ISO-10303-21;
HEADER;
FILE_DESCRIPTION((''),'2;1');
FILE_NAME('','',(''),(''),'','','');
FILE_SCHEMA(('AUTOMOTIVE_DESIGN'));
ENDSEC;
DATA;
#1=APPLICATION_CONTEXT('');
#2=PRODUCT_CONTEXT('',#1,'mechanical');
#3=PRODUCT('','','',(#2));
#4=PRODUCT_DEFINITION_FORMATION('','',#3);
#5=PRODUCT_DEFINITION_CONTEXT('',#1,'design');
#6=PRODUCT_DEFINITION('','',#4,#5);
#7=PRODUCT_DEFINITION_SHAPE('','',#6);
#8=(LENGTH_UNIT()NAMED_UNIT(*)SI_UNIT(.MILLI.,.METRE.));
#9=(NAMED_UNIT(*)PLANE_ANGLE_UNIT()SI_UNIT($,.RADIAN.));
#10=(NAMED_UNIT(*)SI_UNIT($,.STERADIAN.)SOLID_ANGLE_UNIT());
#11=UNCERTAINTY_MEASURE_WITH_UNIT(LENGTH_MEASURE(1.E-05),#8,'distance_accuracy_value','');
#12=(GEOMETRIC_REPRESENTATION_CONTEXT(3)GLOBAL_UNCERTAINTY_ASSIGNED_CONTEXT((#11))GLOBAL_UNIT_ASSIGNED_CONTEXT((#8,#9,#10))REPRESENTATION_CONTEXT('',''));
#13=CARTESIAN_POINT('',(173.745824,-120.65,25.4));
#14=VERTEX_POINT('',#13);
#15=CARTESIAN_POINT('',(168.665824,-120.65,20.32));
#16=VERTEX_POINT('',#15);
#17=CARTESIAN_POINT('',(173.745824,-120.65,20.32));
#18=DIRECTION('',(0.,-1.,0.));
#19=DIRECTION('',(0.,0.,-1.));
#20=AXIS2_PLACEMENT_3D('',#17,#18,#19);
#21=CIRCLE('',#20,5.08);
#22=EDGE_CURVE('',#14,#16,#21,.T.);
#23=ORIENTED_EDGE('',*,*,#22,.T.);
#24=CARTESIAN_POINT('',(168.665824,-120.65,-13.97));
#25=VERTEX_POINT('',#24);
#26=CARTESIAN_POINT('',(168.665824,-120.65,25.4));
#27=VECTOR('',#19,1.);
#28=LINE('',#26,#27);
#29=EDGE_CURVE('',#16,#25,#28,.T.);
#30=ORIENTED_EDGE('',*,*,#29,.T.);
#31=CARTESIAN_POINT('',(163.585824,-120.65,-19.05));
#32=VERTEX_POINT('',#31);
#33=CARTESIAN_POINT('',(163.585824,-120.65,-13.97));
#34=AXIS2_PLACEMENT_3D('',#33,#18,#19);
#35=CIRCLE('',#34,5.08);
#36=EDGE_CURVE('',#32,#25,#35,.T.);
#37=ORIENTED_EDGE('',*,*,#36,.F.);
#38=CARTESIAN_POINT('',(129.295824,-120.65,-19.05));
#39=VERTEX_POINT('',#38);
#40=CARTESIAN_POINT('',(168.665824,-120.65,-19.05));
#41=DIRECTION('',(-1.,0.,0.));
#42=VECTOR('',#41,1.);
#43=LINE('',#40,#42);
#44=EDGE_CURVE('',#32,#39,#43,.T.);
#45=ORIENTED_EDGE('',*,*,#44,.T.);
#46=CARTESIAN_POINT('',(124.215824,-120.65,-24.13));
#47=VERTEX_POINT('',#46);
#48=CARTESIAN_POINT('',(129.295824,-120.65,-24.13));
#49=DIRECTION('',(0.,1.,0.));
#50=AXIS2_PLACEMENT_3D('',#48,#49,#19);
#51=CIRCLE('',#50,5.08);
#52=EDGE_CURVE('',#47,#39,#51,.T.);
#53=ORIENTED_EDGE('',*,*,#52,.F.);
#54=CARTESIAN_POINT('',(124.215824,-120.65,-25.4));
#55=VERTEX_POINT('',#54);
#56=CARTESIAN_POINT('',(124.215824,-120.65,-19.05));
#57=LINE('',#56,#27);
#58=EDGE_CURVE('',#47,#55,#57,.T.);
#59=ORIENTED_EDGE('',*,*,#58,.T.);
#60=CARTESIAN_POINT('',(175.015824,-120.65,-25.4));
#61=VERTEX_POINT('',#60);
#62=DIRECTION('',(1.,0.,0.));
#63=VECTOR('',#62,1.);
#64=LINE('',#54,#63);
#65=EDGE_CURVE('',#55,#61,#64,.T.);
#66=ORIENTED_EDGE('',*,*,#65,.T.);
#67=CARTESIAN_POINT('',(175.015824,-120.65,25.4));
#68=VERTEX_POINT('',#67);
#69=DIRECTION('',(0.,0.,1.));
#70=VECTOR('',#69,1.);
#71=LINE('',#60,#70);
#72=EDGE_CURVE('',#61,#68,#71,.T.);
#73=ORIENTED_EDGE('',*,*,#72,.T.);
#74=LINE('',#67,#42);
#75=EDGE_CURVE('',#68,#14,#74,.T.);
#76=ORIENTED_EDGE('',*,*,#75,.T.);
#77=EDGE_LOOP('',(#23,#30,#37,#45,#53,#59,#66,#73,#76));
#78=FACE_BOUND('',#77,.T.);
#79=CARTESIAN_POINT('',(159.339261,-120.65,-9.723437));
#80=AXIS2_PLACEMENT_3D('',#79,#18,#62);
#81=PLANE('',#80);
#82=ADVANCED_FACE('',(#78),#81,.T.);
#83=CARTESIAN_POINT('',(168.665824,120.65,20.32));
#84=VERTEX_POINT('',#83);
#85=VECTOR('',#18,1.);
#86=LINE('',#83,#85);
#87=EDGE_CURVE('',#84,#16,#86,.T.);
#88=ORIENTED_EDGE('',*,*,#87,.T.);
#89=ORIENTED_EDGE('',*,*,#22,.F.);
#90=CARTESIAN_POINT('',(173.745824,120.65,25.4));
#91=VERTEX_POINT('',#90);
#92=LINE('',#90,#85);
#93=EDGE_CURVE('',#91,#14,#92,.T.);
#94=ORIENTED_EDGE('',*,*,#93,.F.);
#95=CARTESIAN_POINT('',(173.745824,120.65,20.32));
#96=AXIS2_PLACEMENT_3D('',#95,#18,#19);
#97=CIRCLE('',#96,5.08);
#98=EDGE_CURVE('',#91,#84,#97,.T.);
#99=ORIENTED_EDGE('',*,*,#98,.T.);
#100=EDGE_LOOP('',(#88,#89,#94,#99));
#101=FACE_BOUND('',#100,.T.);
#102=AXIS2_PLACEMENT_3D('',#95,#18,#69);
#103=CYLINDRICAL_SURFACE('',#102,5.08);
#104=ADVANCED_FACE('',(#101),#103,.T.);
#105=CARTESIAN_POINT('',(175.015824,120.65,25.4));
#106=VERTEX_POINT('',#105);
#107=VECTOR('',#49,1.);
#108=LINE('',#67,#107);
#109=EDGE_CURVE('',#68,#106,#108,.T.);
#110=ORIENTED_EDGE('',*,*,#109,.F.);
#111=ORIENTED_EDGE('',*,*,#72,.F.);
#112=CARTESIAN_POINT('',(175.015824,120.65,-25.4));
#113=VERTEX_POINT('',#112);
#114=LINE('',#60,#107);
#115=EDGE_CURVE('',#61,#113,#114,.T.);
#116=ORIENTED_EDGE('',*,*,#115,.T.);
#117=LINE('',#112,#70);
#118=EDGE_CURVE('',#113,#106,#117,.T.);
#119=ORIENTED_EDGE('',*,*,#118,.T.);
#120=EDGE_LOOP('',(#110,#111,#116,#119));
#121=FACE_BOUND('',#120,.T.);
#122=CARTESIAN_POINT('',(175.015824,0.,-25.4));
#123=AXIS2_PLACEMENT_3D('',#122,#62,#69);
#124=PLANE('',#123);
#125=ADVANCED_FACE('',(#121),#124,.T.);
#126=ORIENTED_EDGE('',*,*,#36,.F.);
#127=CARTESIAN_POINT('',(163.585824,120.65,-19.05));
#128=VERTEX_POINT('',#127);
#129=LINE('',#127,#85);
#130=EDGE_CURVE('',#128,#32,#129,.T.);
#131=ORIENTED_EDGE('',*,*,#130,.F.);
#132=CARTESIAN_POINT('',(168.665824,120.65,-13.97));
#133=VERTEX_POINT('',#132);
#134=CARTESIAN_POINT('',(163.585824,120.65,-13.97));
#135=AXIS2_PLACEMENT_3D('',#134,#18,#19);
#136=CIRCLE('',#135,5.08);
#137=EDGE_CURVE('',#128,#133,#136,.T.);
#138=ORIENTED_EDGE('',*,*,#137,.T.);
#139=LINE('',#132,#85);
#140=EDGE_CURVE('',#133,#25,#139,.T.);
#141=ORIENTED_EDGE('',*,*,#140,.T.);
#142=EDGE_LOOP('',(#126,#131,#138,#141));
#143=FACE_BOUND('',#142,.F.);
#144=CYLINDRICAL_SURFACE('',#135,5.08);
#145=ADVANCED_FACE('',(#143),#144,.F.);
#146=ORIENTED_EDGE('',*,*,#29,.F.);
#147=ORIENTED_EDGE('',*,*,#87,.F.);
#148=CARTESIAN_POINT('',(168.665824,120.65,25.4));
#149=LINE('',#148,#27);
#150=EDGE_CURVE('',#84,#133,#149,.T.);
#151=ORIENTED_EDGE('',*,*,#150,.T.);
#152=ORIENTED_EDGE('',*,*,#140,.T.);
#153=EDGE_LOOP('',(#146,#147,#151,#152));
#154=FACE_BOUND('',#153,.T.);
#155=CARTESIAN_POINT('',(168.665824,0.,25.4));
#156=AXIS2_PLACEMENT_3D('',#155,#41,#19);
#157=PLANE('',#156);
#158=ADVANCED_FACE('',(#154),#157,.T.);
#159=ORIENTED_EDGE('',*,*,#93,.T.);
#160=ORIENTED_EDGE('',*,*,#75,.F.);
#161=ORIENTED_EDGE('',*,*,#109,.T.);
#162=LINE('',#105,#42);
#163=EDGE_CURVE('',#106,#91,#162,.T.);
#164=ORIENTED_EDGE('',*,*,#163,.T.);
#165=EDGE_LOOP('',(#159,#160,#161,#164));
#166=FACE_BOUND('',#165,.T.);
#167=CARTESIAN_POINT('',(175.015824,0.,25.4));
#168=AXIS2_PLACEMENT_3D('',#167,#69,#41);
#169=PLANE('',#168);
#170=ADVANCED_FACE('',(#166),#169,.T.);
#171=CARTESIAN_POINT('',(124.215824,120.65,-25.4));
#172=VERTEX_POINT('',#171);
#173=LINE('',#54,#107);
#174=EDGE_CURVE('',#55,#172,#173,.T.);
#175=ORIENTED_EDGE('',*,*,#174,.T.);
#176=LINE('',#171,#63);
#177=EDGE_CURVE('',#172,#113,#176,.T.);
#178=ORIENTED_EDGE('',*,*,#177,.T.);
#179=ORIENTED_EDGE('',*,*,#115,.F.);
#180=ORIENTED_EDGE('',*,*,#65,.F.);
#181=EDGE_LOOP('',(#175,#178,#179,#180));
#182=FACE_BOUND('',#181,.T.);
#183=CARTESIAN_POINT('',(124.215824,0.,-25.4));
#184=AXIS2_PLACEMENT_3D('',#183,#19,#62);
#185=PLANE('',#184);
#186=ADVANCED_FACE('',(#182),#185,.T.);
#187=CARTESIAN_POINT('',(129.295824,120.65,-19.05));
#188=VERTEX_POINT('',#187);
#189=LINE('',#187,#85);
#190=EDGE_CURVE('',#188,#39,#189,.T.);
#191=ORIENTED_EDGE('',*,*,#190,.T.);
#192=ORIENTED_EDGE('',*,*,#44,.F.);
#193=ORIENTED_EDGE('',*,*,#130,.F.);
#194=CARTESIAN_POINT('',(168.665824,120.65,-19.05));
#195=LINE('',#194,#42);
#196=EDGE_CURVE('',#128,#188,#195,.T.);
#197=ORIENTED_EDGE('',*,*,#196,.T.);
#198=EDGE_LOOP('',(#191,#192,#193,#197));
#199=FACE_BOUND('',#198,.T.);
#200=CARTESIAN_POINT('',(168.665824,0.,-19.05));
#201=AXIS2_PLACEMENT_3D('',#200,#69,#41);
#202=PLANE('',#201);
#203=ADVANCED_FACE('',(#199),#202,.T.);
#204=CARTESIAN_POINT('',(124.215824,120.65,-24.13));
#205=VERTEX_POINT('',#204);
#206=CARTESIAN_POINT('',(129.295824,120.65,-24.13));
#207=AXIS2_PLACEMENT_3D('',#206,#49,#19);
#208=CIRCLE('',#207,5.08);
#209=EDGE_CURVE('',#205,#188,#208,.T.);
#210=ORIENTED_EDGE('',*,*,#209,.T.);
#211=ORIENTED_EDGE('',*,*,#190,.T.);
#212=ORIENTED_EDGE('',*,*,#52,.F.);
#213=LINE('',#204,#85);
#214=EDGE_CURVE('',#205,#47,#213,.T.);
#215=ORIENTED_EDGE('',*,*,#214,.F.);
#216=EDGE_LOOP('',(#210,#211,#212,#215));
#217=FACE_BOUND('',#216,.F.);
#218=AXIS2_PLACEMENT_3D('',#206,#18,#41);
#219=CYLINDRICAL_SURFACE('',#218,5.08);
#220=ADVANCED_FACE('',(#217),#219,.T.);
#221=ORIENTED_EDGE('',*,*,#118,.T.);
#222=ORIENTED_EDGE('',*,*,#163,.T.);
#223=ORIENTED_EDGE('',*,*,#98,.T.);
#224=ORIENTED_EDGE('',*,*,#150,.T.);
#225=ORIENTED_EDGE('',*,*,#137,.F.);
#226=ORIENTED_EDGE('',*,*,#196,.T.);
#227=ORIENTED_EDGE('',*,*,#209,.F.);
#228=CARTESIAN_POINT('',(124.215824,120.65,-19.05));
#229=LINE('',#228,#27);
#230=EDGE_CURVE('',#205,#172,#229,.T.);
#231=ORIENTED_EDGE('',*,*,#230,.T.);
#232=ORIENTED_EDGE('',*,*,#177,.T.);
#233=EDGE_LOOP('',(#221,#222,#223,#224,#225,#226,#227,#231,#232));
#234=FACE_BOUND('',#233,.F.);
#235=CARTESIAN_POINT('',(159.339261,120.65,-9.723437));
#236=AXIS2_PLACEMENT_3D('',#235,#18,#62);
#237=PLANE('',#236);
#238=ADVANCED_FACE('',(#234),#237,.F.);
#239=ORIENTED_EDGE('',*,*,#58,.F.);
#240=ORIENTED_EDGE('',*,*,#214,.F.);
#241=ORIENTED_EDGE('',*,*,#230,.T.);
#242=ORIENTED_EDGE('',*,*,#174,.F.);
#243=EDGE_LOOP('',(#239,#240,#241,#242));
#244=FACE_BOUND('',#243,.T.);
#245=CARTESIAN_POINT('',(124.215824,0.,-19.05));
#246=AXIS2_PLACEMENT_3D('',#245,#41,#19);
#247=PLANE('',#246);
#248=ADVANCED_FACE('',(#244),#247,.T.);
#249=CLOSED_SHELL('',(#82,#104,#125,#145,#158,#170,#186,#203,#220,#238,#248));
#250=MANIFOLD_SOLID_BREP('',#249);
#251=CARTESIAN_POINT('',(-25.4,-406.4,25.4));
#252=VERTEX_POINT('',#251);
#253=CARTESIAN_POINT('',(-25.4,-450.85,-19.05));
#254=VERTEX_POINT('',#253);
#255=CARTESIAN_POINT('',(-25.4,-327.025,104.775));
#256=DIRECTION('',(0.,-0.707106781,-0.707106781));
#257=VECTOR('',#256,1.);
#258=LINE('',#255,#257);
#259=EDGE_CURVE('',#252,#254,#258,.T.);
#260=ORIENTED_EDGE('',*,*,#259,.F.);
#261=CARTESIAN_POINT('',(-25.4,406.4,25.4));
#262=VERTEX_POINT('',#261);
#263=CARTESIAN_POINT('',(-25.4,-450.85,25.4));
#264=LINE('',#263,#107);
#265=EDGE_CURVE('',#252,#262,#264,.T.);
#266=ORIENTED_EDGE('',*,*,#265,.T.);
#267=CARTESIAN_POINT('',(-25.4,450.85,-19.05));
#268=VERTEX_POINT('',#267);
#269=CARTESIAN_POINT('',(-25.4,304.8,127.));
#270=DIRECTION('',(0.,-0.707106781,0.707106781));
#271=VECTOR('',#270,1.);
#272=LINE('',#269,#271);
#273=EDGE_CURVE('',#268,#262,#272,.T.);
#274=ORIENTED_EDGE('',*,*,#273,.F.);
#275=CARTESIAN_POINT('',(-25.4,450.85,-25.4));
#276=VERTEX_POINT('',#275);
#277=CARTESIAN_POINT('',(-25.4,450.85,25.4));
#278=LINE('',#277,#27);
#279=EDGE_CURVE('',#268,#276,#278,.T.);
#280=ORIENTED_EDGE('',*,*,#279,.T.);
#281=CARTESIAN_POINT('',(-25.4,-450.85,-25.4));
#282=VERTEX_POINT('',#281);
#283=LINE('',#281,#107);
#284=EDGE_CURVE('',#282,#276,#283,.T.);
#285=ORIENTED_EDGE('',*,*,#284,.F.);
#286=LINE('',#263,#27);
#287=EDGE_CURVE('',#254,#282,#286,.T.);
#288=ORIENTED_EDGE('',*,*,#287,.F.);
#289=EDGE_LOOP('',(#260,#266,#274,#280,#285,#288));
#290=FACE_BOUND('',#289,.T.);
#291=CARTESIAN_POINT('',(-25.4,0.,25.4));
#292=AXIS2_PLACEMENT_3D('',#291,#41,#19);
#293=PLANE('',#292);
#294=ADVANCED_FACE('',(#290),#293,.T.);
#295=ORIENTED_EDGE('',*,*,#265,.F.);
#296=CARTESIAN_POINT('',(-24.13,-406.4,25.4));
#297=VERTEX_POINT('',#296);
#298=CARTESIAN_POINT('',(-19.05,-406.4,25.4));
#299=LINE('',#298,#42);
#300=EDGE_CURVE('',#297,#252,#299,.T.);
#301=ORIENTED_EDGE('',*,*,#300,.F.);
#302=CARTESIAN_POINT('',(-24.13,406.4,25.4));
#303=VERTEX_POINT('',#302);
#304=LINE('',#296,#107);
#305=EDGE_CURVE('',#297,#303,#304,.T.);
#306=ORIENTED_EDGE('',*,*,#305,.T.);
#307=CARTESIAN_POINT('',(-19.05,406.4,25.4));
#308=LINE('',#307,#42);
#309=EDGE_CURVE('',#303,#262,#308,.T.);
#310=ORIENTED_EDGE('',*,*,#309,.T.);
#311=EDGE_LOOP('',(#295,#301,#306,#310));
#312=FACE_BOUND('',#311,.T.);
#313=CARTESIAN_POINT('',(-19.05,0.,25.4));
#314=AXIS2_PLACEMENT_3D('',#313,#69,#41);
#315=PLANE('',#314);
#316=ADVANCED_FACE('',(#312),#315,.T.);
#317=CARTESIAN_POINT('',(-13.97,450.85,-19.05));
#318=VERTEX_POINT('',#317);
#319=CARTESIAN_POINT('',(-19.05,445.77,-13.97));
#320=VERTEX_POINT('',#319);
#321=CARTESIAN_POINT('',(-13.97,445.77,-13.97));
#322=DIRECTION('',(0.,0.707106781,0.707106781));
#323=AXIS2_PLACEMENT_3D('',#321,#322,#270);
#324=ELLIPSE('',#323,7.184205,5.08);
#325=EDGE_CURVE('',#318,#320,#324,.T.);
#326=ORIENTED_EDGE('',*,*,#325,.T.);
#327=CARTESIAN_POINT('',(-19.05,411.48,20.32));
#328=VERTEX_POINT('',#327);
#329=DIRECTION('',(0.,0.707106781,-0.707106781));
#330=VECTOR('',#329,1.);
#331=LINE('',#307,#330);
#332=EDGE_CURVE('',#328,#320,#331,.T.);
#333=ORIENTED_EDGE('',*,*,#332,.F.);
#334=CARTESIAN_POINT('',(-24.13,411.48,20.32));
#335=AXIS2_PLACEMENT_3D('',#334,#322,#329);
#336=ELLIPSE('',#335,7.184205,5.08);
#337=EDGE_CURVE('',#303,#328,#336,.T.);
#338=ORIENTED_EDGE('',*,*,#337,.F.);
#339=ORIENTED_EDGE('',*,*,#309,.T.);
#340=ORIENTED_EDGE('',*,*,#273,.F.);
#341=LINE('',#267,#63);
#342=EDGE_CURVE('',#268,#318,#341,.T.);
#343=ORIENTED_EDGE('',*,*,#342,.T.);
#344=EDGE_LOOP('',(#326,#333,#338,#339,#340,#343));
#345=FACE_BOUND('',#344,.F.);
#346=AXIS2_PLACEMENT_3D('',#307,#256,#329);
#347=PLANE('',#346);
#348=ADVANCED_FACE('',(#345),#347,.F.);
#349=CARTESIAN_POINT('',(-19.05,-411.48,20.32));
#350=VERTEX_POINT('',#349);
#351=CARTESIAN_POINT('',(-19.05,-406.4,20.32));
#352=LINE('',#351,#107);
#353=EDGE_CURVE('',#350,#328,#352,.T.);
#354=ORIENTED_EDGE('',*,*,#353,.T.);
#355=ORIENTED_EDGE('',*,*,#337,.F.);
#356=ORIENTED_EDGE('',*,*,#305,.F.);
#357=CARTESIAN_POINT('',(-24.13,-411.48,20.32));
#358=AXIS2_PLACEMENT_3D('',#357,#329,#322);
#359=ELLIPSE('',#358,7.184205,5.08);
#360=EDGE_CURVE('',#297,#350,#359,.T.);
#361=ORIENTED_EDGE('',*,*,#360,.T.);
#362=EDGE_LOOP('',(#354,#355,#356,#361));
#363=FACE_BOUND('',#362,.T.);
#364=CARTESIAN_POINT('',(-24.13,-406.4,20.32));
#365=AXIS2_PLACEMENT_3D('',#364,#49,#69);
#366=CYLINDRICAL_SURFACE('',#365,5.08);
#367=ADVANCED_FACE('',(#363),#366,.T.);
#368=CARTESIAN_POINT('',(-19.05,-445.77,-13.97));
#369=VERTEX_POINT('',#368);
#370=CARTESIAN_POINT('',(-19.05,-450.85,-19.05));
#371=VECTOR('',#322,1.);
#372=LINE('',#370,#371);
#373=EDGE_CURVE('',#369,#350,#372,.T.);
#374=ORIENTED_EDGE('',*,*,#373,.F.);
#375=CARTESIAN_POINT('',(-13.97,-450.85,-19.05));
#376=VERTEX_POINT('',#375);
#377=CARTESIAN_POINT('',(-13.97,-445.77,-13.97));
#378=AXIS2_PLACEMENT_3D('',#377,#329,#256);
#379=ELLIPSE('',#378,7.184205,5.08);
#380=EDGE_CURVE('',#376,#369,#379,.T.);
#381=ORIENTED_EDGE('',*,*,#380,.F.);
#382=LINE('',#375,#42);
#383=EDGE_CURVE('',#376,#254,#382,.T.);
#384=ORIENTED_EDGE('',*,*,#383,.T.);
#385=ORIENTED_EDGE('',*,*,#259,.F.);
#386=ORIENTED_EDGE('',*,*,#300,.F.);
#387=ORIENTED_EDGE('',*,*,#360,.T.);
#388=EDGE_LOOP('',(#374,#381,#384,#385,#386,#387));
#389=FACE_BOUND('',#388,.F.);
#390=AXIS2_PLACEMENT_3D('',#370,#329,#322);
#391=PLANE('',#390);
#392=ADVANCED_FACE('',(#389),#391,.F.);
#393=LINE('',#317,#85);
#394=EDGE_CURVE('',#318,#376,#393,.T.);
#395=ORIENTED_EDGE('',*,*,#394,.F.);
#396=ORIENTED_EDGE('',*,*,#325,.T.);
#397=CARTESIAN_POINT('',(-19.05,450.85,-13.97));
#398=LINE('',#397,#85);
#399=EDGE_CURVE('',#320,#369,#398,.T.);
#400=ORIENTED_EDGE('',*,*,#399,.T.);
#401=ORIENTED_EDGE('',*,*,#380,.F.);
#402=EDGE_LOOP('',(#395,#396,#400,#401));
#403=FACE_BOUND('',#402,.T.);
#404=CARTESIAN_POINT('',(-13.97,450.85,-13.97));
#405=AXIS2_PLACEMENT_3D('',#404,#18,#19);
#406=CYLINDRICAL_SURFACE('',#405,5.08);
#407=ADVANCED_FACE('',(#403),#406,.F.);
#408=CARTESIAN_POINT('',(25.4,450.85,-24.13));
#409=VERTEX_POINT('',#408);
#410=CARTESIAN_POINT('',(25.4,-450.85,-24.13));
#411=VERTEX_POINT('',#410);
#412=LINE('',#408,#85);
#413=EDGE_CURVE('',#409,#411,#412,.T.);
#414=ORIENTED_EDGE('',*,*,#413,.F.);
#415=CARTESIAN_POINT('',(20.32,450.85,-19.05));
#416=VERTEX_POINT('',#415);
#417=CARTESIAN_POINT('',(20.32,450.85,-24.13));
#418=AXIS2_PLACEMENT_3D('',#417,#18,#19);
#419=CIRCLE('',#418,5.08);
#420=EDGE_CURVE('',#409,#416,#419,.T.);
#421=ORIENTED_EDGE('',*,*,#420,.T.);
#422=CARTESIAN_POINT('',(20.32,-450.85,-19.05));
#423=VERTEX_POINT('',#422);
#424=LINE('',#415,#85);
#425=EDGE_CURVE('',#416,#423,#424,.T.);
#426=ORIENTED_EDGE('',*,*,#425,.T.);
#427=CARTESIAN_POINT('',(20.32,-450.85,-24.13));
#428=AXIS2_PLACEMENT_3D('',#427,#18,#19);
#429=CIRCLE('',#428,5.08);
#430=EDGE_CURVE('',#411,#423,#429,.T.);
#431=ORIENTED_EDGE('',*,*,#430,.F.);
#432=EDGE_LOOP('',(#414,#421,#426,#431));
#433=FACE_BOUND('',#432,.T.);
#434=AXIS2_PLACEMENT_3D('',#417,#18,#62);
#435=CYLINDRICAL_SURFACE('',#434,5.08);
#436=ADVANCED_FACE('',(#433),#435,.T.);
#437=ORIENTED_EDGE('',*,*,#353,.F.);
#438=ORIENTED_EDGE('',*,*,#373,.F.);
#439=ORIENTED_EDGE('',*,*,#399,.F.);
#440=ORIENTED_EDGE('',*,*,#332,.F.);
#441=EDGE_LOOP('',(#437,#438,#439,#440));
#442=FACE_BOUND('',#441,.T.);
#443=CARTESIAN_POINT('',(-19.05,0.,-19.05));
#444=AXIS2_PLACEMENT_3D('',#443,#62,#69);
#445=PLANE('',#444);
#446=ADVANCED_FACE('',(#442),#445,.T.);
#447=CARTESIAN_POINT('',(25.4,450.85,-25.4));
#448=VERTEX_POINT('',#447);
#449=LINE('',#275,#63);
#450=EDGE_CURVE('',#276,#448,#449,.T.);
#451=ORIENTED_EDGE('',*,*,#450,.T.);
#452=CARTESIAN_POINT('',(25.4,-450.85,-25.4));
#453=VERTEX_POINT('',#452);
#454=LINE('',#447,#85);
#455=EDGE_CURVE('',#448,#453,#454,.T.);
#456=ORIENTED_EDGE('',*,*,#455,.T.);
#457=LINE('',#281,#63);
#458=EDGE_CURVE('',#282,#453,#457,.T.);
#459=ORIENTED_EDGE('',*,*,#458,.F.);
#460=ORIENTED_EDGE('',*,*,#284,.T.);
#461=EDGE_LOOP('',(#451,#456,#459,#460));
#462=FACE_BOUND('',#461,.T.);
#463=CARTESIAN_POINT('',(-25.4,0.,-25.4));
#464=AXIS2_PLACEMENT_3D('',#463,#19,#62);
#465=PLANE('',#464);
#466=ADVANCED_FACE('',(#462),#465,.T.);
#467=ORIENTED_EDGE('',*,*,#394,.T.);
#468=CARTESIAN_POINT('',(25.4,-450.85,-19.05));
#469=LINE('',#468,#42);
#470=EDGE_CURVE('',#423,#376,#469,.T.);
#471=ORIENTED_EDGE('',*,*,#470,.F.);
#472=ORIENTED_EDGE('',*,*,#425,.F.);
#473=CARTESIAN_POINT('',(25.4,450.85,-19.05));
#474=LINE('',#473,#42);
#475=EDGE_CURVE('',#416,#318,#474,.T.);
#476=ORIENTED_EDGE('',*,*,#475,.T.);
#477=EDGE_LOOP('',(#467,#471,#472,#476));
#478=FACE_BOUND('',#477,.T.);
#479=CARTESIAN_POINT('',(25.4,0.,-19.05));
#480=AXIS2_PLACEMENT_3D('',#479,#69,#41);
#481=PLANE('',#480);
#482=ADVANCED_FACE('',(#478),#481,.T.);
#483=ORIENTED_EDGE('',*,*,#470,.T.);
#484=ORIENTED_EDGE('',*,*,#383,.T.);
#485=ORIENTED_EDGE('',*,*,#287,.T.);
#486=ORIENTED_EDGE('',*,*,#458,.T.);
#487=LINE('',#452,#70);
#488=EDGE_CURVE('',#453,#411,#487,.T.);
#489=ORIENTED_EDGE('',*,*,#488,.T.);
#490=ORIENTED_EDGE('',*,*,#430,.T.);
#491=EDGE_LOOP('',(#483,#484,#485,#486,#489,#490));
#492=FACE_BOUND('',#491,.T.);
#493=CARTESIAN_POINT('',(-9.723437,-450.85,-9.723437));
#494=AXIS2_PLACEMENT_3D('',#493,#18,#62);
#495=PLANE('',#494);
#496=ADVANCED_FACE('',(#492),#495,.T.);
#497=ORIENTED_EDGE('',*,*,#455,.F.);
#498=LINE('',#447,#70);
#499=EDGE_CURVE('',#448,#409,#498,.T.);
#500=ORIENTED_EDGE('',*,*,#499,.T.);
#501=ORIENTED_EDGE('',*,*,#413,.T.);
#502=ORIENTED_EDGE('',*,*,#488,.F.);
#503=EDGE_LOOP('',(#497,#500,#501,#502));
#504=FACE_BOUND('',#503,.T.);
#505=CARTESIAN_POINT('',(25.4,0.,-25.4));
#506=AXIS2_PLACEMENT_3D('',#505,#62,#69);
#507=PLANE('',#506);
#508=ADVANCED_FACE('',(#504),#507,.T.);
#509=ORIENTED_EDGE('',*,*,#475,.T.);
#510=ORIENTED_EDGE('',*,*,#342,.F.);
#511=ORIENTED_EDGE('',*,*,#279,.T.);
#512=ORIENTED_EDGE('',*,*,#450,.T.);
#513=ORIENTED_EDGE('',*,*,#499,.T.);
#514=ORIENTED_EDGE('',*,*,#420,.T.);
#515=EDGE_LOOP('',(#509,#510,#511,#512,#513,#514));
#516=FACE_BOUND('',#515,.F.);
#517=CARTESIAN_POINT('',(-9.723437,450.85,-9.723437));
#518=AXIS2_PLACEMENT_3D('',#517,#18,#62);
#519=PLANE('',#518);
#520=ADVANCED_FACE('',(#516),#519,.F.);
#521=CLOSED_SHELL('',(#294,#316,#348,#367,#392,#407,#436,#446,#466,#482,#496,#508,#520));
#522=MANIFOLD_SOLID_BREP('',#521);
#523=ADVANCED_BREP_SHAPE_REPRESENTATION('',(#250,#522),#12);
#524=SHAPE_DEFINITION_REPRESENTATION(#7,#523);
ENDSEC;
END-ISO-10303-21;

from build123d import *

# Parameters (mm, degrees)
F1_DEPTH = 450.85
F2_DEPTH = 120.65
F4_DEPTH = 25.4
F5_R     = 5.08
F5_2_R   = 5.08


with BuildPart() as f1:
    # F0 (on Front) → F1 (new body, symmetric)
    with BuildSketch(Plane.XZ):
        Polygon((-25.4, -25.4), (25.4, -25.4), (25.4, -19.05), (-19.05, -19.05), (-19.05, 25.4), (-25.4, 25.4), align=None)
    extrude(amount=F1_DEPTH, both=True)

    # F3 (on face) → F4 (cut)
    with BuildSketch(Plane.YZ.offset(-19.05)):
        Polygon((-450.85, 25.4), (-450.85, -19.05), (-406.4, 25.4), align=None)
        Polygon((450.85, 25.4), (406.4, 25.4), (450.85, -19.05), align=None)
    extrude(amount=-F4_DEPTH, mode=Mode.SUBTRACT)

    # F5
    f5_edges = [f1.edges().sort_by_distance(p)[0] for p in [
        (-19.05, 0, -19.05),
        (-19.05, 0, 25.4),
        (25.4, 0, -19.05),
    ]]
    fillet(f5_edges, radius=F5_R)


with BuildPart() as f2:
    # F0 (on Front) → F2 (new body, symmetric)
    with BuildSketch(Plane.XZ):
        Polygon((175.015824, 25.4), (168.665824, 25.4), (168.665824, -19.05), (124.215824, -19.05), (124.215824, -25.4), (175.015824, -25.4), align=None)
    extrude(amount=F2_DEPTH, both=True)

    # F5#2
    f5_2_edges = [f2.edges().sort_by_distance(p)[0] for p in [
        (168.665824, 0, -19.05),
        (124.215824, 0, -19.05),
        (168.665824, 0, 25.4),
    ]]
    fillet(f5_2_edges, radius=F5_2_R)


solid = Compound([f1.part, f2.part])
